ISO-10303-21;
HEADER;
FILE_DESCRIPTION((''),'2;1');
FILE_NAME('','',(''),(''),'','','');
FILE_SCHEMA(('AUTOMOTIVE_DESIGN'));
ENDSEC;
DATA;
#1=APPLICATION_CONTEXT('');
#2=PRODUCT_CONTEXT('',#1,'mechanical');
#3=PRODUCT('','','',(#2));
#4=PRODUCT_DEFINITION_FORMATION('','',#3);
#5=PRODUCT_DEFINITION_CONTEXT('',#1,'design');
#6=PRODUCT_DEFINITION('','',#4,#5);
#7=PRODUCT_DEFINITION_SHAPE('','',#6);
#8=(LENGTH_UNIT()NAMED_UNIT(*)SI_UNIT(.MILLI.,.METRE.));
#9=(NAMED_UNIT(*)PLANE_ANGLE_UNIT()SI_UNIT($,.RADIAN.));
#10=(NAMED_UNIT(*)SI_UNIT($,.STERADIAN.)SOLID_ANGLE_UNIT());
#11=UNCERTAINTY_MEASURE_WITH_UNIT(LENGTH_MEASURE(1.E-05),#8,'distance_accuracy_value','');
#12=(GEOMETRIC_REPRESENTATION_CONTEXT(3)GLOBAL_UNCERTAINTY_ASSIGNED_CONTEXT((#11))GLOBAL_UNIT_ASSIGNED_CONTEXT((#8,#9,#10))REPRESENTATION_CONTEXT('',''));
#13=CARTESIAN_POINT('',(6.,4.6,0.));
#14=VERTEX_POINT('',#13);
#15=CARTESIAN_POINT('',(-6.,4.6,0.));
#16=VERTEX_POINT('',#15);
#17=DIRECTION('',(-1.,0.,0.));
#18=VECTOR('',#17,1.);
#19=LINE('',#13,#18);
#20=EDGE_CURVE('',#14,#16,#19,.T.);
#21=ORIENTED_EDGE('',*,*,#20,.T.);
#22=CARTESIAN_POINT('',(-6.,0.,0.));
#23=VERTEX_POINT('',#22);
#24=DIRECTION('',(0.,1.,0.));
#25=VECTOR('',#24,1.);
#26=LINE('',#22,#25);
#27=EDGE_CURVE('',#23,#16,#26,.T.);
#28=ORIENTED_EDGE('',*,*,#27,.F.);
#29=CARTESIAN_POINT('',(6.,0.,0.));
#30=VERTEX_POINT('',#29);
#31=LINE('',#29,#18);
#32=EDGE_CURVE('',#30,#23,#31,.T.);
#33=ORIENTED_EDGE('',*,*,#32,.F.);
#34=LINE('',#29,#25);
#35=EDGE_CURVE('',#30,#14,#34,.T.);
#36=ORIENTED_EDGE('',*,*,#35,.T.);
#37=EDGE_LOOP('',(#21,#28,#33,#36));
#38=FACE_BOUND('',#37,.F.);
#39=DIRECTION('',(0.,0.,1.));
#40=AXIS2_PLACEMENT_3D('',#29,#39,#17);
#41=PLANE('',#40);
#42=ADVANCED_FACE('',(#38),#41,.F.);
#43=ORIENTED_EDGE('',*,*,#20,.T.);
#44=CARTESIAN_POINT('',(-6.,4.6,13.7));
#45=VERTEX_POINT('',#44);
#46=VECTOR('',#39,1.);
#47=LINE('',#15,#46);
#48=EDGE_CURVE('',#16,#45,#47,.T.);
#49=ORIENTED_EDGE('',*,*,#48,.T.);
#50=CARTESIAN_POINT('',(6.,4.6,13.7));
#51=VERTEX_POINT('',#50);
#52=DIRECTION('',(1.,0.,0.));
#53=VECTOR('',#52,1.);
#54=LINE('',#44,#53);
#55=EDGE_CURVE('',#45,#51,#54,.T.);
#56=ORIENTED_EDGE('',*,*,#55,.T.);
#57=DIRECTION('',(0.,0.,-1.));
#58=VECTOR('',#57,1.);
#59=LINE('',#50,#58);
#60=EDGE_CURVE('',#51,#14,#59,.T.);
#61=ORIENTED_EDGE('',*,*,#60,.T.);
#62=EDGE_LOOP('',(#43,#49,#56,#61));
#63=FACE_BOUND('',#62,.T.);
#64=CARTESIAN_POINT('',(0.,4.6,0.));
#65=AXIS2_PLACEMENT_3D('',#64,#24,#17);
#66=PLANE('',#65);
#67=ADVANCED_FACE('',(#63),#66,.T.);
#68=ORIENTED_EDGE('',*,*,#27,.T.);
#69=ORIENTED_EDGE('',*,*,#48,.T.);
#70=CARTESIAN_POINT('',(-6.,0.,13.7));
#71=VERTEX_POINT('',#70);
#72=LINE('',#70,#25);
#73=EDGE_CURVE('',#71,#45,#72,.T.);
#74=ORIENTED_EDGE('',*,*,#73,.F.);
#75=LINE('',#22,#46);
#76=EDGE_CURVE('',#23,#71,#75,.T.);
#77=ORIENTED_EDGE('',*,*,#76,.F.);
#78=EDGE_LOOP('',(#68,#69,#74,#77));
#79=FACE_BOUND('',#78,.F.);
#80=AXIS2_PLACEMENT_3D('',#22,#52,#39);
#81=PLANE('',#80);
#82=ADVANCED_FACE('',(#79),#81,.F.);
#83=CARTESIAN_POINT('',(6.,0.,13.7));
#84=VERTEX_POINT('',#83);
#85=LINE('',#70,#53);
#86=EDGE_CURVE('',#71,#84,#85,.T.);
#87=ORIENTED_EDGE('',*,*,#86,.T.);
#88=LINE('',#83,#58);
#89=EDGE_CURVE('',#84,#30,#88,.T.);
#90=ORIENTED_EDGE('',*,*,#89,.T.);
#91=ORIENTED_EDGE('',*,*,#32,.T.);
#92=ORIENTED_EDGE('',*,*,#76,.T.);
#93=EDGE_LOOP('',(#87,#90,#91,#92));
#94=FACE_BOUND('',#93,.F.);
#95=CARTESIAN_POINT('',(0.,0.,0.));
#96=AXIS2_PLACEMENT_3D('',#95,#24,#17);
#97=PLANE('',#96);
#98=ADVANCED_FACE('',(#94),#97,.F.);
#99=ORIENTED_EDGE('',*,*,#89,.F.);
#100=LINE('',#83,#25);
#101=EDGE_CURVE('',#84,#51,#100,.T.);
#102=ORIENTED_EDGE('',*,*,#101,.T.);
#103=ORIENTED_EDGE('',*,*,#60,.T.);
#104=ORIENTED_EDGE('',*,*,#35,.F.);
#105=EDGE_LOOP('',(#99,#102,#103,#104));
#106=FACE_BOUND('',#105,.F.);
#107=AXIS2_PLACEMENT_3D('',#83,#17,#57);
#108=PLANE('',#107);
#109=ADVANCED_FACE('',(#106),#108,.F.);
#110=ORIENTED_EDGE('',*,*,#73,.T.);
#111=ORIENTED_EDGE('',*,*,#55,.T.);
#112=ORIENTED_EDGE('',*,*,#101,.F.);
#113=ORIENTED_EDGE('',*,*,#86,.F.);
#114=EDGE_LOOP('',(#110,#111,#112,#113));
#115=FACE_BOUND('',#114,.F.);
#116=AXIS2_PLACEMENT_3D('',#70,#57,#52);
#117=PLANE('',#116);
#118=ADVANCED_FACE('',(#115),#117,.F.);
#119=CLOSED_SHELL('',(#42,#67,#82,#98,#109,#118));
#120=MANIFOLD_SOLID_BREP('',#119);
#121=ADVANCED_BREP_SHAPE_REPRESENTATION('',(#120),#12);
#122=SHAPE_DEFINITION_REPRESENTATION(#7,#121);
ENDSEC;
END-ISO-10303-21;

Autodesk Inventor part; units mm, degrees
ref_plane "YZ Plane" through (0, 0, 0) normal (1, 0, 0) x (0, 1, 0)
ref_plane "XZ Plane" through (0, 0, 0) normal (0, 1, 0) x (-1, 0, 0)
ref_plane "XY Plane" through (0, 0, 0) normal (0, 0, 1) x (1, 0, 0)
sketch "スケッチ1" plane through (0, 0, 0) normal (0, 1, 0) x (-1, 0, 0)
  line L0 (6, 13.7) -> (-6, 13.7)
  line L1 (-6, 13.7) -> (-6, 0)
  line L2 (-6, 0) -> (6, 0)
  line L3 (6, 0) -> (6, 13.7)
  point P0 (0, 0)
  point P1 (0, 0)
  point P2 (0, 2.5)
  dimension "d0" = 12
  dimension "d1" = 13.7
  dimension "d2" = 2.5
extrude "押し出し1" add sketch "スケッチ1" along normal blind 4.6
properties part number "joint"
